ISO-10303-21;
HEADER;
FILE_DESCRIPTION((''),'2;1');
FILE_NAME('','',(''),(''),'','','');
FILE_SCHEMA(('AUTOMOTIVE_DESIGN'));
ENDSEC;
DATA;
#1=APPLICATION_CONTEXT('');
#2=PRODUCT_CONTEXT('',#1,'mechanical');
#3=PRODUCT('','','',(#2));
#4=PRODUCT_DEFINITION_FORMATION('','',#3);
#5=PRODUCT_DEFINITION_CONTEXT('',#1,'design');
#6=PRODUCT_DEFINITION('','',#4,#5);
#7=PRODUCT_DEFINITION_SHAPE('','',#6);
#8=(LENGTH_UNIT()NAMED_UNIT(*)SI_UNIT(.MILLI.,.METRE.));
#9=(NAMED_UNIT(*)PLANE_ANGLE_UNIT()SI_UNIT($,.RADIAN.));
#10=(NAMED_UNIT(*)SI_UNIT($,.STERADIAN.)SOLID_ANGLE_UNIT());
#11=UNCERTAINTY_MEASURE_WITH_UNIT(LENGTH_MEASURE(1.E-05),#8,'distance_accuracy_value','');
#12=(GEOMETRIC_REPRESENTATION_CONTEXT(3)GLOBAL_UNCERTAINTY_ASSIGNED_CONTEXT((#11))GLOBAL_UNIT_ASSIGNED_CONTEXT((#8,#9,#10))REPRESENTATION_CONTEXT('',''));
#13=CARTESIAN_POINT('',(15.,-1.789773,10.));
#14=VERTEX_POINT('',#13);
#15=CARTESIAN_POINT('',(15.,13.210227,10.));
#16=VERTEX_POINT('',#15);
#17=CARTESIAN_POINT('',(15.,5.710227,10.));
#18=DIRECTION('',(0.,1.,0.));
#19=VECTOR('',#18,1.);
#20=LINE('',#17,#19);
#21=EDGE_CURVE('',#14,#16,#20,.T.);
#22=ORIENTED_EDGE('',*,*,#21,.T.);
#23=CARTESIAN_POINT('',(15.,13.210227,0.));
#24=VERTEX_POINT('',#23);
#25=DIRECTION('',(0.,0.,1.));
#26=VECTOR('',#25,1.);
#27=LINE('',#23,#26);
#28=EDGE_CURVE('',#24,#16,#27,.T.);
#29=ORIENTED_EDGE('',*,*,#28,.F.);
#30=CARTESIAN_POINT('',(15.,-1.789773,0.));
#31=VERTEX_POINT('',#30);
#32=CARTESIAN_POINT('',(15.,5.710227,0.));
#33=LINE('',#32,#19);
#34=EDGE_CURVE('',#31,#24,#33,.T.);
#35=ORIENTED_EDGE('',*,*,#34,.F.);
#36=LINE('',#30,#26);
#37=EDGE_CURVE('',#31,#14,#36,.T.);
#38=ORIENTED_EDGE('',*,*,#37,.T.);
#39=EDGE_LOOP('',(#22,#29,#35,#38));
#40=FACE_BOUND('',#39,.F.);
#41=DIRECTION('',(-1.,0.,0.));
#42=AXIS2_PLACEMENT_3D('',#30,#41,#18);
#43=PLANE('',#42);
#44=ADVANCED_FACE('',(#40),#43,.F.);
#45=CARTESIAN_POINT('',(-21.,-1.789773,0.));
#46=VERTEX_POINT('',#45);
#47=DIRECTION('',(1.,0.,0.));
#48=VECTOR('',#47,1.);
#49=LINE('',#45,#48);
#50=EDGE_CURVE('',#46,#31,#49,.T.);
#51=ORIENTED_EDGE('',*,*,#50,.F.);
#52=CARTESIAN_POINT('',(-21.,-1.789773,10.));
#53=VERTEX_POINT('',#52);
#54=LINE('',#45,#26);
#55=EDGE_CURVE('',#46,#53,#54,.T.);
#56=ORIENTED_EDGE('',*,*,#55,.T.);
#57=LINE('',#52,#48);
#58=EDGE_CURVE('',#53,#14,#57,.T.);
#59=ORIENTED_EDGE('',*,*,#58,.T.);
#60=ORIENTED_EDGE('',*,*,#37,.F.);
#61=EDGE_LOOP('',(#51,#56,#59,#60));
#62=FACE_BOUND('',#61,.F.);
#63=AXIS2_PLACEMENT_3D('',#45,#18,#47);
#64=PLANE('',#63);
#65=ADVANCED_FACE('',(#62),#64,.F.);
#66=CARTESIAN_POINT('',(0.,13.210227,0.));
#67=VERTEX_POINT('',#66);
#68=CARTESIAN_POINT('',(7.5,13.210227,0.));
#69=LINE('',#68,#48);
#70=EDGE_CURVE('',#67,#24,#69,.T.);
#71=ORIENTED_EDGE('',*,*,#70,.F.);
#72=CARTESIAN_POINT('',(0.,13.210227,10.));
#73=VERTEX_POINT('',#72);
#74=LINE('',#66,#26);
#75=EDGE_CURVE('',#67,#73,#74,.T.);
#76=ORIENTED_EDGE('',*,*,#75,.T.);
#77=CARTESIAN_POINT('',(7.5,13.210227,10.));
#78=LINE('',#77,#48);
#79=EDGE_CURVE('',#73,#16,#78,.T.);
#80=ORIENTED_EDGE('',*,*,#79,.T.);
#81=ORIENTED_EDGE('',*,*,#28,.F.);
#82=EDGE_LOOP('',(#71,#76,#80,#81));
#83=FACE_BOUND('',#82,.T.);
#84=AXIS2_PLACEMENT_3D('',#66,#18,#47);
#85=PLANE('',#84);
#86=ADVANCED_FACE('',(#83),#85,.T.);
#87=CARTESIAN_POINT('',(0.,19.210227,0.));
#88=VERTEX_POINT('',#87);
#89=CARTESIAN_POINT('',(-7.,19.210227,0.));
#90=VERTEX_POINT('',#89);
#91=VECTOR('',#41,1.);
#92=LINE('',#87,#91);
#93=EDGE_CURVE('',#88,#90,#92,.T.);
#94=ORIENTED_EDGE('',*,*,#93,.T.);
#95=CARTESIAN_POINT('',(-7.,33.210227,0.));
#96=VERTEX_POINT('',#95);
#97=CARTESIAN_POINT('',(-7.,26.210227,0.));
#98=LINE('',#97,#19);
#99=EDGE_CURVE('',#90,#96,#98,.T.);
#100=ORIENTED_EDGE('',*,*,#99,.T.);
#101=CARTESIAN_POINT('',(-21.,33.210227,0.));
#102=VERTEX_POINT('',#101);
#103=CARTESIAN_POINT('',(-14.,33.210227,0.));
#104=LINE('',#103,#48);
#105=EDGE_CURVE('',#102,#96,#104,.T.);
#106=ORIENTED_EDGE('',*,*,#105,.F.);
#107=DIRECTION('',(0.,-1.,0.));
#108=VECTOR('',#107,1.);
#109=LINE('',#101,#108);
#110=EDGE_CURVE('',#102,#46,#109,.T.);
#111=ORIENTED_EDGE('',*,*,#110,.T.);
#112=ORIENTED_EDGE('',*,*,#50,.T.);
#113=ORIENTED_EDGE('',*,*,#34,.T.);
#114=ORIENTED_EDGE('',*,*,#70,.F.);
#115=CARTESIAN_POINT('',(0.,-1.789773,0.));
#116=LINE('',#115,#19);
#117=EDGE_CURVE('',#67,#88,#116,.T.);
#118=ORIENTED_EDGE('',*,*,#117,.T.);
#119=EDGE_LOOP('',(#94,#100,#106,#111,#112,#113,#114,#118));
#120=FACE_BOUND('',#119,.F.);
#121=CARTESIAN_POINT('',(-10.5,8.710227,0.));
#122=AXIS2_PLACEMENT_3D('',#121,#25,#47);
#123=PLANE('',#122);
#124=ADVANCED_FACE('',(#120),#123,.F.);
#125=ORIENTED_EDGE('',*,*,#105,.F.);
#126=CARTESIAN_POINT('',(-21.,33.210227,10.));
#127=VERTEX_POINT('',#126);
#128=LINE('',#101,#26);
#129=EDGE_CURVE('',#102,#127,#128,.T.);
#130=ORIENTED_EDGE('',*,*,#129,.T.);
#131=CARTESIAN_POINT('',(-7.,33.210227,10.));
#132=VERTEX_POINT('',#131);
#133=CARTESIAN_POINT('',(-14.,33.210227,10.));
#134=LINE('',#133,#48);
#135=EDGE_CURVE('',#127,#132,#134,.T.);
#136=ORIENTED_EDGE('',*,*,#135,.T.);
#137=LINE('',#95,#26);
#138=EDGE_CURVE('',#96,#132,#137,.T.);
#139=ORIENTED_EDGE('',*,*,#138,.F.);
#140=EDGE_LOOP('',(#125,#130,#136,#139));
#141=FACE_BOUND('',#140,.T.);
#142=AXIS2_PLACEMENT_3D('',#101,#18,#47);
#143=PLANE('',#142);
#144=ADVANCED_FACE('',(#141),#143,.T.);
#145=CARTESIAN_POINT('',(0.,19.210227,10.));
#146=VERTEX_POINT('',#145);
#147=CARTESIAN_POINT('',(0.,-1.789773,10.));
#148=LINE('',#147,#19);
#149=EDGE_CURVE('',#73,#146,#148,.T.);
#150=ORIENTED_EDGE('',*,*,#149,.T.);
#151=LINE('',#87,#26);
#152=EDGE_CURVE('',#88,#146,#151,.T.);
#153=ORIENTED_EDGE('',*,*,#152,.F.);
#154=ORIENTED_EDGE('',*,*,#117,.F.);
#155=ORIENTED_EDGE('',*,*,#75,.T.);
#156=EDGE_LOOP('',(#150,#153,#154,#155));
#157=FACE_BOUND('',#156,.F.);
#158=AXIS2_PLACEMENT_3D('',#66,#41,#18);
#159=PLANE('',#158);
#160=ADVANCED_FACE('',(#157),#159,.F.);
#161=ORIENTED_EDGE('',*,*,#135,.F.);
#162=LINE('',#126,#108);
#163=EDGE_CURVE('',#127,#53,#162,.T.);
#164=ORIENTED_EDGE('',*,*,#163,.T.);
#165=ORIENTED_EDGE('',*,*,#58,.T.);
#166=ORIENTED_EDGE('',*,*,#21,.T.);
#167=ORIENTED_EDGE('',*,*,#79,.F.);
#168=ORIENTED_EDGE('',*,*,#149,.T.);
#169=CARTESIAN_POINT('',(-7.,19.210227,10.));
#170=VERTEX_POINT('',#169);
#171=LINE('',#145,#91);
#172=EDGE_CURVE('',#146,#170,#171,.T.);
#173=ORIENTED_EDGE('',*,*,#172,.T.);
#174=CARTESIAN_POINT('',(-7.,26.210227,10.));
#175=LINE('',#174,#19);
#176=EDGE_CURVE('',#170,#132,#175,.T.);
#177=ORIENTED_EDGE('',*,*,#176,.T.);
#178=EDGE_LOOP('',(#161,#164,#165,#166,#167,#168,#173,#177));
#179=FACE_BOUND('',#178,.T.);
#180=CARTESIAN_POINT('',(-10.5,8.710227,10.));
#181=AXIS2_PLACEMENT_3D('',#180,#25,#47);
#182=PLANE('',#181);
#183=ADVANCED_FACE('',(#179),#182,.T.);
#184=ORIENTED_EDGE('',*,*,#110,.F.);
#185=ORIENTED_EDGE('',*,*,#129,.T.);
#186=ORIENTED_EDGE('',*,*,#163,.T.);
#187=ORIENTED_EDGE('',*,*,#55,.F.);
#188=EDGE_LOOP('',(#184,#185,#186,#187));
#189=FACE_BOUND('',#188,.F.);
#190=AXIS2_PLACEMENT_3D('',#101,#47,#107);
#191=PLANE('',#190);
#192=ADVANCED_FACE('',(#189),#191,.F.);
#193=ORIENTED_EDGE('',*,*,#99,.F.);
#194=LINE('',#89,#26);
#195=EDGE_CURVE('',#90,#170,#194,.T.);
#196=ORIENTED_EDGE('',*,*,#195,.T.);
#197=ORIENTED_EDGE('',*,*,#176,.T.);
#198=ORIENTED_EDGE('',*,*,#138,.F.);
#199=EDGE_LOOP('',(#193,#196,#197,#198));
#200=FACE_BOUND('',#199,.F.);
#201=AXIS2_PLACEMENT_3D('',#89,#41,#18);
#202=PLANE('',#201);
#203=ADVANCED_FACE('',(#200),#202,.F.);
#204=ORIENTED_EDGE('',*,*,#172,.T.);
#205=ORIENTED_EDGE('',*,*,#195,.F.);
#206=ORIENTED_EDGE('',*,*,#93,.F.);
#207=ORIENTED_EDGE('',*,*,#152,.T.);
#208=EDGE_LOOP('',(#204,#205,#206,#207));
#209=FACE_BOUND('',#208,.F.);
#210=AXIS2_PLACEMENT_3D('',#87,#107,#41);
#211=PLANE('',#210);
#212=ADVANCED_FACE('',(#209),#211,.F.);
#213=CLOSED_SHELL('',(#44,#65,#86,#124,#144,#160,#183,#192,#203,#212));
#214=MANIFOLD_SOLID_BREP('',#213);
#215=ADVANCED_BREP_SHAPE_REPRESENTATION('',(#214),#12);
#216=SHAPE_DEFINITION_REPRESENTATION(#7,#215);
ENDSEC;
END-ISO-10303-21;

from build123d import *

# Parameters (mm, degrees)
F0_W     = 14
F0_H     = 14
F0_W_2   = 15
F0_H_2   = 15
F1_DEPTH = 10


with BuildPart() as f1:
    # F0 (on Top) → F1 (new body)
    with BuildSketch(Plane.XY):
        Polygon((-21, -1.789773), (0, -1.789773), (0, 13.210227), (0, 19.210227), (-7, 19.210227), (-21, 19.210227), align=None)
        with Locations((-14, 26.210227)):
            Rectangle(F0_W, F0_H)
        with Locations((7.5, 5.710227)):
            Rectangle(F0_W_2, F0_H_2)
    extrude(amount=F1_DEPTH)


solid = f1.part
